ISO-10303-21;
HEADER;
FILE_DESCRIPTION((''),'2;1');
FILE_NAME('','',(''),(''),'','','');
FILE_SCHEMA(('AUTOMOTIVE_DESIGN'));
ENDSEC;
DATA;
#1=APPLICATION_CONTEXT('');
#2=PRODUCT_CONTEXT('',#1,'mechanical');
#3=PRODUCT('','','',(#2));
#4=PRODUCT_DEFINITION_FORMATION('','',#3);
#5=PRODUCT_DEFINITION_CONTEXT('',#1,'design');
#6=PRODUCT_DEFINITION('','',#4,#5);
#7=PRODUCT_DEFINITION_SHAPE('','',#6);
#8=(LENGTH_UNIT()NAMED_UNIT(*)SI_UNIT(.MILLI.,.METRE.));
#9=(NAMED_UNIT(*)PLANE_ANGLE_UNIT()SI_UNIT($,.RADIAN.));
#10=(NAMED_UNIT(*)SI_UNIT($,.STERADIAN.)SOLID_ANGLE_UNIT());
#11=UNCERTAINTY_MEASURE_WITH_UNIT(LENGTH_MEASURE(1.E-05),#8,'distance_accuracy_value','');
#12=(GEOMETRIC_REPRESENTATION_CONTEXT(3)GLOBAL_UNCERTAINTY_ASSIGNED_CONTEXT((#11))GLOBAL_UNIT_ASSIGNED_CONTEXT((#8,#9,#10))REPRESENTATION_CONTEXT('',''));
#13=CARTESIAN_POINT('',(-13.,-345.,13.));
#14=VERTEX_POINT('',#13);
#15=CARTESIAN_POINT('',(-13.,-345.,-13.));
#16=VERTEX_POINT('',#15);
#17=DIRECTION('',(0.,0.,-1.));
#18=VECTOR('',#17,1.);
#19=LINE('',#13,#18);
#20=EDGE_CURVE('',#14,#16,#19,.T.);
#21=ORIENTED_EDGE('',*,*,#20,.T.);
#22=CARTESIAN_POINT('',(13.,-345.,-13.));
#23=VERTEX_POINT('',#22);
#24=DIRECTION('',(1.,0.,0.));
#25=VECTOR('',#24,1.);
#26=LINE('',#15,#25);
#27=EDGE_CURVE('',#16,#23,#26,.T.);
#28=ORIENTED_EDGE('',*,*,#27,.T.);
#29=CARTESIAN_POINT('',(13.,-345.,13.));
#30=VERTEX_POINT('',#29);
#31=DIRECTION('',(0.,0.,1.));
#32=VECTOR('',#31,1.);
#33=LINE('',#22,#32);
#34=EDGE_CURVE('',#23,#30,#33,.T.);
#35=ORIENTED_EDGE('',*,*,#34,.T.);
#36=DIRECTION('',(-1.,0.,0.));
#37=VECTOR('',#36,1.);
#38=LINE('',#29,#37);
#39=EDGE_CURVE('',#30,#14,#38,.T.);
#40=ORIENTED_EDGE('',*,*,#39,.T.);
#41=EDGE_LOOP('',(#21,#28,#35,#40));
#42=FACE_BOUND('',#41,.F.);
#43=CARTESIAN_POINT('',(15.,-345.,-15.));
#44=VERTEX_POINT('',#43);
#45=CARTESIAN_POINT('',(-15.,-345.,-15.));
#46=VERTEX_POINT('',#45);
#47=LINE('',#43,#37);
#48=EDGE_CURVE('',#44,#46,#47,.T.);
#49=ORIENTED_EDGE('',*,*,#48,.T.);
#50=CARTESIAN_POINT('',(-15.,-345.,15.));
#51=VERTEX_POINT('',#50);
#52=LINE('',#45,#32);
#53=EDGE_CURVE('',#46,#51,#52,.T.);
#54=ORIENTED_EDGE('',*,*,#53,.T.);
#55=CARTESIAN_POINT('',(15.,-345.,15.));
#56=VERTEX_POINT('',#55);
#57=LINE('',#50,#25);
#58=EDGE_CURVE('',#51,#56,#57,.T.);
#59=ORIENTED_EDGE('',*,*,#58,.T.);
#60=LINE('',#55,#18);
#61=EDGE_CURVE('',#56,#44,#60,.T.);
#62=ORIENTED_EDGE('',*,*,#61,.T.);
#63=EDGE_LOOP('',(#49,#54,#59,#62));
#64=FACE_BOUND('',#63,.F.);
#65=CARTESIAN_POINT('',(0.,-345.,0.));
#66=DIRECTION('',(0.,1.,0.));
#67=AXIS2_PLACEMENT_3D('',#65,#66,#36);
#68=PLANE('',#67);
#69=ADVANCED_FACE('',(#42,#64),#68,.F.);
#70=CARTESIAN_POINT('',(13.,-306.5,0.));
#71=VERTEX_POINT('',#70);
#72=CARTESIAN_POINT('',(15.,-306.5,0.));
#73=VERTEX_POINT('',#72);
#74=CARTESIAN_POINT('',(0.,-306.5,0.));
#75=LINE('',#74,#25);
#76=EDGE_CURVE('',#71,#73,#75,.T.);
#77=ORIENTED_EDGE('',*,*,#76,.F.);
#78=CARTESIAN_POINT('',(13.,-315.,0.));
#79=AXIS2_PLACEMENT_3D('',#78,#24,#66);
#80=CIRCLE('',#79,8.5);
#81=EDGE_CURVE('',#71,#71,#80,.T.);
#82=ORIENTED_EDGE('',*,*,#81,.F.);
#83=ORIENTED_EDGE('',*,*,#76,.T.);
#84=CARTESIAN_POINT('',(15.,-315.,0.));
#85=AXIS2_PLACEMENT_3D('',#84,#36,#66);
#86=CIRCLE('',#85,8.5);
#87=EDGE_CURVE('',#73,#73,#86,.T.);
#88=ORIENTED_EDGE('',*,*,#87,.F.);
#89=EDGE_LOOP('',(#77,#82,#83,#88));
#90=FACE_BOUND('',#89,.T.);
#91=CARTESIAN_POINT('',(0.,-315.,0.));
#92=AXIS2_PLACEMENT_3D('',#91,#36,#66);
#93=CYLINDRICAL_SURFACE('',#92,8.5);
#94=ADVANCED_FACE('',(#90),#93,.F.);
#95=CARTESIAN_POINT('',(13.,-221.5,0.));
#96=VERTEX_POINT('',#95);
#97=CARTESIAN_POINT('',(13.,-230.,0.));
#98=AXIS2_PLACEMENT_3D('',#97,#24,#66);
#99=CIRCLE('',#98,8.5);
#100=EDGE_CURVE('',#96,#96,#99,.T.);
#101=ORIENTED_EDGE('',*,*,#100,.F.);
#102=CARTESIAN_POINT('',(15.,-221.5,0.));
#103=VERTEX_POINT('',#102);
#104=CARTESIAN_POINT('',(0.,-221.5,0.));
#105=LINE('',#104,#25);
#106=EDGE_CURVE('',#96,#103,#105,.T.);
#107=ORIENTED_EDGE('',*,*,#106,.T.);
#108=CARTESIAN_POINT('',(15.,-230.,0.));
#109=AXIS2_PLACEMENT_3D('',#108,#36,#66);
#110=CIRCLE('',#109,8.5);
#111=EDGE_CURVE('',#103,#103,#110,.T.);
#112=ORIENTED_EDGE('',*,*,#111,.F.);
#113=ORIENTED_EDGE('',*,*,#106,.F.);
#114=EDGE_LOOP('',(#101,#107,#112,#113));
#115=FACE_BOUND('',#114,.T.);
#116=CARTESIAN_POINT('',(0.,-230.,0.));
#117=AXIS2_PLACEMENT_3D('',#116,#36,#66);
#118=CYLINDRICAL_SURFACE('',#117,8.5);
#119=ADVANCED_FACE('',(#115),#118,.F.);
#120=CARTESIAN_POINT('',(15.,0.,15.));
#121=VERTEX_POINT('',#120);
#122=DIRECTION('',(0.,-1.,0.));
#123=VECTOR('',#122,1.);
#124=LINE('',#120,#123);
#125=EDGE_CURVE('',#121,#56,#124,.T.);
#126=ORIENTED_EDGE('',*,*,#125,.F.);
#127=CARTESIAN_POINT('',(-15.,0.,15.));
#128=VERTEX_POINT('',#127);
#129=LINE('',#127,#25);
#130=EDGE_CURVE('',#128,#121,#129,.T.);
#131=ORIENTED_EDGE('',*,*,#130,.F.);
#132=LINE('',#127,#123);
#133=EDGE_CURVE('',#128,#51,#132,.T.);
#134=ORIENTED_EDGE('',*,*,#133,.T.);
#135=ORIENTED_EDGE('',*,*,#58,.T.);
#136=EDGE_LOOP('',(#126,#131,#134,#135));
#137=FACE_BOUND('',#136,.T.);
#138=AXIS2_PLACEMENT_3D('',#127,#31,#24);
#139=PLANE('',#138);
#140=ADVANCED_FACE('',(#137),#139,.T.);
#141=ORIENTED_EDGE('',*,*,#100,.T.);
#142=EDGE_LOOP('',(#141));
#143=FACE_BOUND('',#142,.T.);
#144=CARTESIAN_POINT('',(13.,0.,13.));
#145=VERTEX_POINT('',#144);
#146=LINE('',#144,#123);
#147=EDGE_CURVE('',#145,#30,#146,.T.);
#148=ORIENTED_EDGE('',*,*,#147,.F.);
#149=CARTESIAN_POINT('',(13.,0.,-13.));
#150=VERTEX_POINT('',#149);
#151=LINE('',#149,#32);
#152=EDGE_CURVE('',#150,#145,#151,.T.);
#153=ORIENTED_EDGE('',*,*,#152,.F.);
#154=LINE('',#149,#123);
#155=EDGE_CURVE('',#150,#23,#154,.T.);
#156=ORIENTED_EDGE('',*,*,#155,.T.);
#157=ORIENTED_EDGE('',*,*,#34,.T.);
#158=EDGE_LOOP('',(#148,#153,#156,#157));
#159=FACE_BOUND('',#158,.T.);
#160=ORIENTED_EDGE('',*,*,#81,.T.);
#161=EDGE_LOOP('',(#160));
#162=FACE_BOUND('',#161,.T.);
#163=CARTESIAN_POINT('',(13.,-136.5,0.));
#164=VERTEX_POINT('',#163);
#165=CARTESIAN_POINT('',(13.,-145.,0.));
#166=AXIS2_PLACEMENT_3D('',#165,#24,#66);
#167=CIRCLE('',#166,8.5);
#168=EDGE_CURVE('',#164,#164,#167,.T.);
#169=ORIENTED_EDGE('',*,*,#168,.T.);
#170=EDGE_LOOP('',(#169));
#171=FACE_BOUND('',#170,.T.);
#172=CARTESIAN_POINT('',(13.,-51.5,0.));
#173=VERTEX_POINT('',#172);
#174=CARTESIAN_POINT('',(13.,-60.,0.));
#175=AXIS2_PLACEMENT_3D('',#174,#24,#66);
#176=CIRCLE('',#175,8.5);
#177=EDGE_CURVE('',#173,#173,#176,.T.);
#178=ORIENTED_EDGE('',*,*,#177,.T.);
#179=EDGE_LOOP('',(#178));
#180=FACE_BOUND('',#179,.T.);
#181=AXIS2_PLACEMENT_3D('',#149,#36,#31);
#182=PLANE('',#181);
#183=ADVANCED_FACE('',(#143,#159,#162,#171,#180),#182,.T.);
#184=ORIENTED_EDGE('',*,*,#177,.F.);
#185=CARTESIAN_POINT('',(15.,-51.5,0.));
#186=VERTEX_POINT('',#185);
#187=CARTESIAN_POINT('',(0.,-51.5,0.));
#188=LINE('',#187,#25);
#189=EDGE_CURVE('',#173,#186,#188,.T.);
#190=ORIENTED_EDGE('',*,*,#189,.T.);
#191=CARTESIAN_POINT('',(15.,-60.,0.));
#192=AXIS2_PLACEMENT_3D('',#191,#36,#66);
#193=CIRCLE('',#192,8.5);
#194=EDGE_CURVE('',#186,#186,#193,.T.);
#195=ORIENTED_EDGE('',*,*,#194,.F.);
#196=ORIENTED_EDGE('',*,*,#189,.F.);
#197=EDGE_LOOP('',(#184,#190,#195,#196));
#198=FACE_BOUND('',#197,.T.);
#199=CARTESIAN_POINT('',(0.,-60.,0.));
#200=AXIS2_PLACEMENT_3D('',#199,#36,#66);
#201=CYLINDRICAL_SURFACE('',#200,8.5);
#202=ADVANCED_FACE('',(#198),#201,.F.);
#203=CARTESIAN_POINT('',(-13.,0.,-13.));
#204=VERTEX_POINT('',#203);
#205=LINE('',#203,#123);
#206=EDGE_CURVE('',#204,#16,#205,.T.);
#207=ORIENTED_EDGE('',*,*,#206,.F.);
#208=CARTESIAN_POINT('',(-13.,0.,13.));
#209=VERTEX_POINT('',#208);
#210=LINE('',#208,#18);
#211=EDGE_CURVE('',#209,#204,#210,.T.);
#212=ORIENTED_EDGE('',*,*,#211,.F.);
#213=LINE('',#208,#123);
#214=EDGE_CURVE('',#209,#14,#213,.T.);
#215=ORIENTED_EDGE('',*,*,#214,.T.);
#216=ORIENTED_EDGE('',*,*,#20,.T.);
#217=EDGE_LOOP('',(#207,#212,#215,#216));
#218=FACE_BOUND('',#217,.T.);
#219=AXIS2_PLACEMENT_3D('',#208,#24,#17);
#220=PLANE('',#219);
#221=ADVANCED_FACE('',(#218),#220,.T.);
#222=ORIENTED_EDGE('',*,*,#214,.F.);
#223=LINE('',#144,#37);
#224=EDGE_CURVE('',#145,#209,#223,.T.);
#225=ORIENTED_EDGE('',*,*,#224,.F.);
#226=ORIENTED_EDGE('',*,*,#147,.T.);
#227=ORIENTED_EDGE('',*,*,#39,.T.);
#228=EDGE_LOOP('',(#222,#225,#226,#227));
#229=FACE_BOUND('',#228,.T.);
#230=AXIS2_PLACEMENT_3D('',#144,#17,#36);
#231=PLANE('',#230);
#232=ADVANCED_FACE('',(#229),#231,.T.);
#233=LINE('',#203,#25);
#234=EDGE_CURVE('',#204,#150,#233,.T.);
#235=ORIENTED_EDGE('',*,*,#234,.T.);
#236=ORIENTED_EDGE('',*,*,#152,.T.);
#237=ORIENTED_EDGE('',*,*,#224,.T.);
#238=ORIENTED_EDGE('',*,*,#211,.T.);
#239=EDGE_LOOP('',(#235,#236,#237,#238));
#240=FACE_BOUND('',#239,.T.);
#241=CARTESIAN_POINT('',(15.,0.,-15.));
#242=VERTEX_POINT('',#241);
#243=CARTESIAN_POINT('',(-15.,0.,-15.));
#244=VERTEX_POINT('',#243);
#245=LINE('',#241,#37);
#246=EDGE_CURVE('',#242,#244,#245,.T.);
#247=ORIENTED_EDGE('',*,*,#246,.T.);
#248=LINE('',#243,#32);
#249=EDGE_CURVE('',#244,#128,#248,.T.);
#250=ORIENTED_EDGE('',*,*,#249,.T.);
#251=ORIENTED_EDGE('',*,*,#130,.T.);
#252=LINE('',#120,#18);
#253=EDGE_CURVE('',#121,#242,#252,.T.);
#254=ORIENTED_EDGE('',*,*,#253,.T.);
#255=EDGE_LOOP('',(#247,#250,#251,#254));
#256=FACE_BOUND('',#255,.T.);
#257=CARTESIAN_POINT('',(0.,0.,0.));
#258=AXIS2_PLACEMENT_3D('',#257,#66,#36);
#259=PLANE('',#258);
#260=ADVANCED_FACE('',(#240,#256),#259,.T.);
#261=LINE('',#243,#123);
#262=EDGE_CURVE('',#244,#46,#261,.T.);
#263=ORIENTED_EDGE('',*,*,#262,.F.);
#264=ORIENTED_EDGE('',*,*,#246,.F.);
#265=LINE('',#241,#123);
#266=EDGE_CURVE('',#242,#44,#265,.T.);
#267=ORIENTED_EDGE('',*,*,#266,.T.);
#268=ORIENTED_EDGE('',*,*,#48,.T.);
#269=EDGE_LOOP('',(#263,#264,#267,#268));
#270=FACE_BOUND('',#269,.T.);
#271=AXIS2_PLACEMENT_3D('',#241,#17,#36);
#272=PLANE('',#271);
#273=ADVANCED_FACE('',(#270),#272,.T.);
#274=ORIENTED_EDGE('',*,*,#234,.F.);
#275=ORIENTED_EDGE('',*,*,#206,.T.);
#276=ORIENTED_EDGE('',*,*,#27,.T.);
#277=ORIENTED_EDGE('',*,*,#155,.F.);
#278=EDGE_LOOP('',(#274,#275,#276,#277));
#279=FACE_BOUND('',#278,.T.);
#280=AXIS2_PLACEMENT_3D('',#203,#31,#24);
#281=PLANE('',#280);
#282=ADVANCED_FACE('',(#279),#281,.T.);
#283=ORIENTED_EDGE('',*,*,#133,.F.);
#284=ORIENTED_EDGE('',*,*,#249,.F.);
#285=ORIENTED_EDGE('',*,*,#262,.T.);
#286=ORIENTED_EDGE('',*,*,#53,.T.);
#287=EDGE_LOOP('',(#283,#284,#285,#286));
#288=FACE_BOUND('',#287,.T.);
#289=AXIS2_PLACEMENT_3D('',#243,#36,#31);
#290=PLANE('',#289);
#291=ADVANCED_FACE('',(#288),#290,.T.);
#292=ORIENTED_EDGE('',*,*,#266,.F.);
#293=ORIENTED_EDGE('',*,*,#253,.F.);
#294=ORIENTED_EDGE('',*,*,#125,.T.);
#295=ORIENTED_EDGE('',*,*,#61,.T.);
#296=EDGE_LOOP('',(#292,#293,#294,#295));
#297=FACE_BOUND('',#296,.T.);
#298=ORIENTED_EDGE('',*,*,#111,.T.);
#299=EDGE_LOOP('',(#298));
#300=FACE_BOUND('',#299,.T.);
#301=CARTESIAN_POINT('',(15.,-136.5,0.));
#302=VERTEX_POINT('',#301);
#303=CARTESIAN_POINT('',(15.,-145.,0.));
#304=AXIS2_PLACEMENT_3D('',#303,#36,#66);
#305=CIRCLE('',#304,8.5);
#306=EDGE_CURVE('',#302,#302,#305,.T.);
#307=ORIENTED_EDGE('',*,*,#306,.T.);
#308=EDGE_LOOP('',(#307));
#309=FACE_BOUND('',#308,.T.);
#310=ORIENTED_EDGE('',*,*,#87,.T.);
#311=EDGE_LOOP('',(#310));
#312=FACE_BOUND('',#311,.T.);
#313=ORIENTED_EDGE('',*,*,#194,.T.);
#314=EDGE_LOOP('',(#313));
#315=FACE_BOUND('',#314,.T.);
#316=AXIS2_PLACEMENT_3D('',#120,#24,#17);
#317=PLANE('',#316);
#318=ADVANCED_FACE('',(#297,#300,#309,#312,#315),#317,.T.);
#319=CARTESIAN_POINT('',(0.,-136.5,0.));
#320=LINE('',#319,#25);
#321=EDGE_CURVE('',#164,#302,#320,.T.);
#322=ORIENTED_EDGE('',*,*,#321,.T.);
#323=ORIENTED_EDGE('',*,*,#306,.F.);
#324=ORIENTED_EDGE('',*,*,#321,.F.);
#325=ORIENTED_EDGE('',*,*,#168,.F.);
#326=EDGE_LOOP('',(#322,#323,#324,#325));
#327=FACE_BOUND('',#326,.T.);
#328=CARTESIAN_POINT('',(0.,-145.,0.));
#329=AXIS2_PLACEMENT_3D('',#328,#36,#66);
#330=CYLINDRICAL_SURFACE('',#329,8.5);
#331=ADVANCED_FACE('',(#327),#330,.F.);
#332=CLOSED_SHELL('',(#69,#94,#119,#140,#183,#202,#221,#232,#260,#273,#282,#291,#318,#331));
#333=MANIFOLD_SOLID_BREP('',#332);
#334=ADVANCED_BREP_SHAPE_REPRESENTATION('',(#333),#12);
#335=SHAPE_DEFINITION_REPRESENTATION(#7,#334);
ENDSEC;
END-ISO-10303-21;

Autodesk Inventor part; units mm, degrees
ref_plane "YZ Plane" through (0, 0, 0) normal (1, 0, 0) x (0, 1, 0)
ref_plane "XZ Plane" through (0, 0, 0) normal (0, 1, 0) x (-1, 0, 0)
ref_plane "XY Plane" through (0, 0, 0) normal (0, 0, 1) x (1, 0, 0)
sketch "Sketch9" plane through (0, 0, 0) normal (0, 1, 0) x (-1, 0, 0)
  line L0 (15, 15) -> (-15, 15)
  line L1 (-15, 15) -> (-15, -15)
  line L2 (-15, -15) -> (15, -15)
  line L3 (15, -15) -> (15, 15)
  line L4 (15, 15) -> (-15, -15) construction
  line L5 (-15, 15) -> (15, -15) construction
  line L6 (-13, 13) -> (13, 13)
  line L7 (13, 13) -> (13, -13)
  line L8 (13, -13) -> (-13, -13)
  line L9 (-13, -13) -> (-13, 13)
  point P0 (0, 0)
  dimension "d172" = 30
  dimension "d173" = 30
  dimension "d174" = 2
extrude "Extrusion3" add sketch "Sketch9" against normal blind 345
sketch "Sketch10" plane through (0, 0, 0) normal (1, 0, 0) x (0, 1, 0)
  line L0 (0, 15) -> (0, -15) construction
  line L1 (0, 15) -> (-345, 15) construction
  line L2 (-345, -15) -> (-345, 15) construction
  line L3 (0, -15) -> (-345, -15) construction
  line L4 (-68.5, 8.5) -> (-51.5, 8.5)
  line L5 (-51.5, 8.5) -> (-51.5, -8.5)
  line L6 (-51.5, -8.5) -> (-68.5, -8.5)
  line L7 (-68.5, -8.5) -> (-68.5, 8.5)
  line L8 (-68.5, 8.5) -> (-51.5, -8.5) construction
  line L9 (-51.5, 8.5) -> (-68.5, -8.5) construction
  line L10 (0, 0) -> (30, 0)
  circle A0 centre (-60, 0) radius 8.5
  dimension "d177" = 17
  dimension "d178" = 17
  dimension "d181" = 30
  dimension "d182" = 90
extrude "Extrusion4" cut sketch "Sketch10" along normal through all contours A0
pattern_linear "Rectangular Pattern4" count 4 spacing 85 along (0, -1, 0) of "Extrusion4"
properties part number "SLM 1661 FDS 1000 way tube 1" material "Stainless Steel"
